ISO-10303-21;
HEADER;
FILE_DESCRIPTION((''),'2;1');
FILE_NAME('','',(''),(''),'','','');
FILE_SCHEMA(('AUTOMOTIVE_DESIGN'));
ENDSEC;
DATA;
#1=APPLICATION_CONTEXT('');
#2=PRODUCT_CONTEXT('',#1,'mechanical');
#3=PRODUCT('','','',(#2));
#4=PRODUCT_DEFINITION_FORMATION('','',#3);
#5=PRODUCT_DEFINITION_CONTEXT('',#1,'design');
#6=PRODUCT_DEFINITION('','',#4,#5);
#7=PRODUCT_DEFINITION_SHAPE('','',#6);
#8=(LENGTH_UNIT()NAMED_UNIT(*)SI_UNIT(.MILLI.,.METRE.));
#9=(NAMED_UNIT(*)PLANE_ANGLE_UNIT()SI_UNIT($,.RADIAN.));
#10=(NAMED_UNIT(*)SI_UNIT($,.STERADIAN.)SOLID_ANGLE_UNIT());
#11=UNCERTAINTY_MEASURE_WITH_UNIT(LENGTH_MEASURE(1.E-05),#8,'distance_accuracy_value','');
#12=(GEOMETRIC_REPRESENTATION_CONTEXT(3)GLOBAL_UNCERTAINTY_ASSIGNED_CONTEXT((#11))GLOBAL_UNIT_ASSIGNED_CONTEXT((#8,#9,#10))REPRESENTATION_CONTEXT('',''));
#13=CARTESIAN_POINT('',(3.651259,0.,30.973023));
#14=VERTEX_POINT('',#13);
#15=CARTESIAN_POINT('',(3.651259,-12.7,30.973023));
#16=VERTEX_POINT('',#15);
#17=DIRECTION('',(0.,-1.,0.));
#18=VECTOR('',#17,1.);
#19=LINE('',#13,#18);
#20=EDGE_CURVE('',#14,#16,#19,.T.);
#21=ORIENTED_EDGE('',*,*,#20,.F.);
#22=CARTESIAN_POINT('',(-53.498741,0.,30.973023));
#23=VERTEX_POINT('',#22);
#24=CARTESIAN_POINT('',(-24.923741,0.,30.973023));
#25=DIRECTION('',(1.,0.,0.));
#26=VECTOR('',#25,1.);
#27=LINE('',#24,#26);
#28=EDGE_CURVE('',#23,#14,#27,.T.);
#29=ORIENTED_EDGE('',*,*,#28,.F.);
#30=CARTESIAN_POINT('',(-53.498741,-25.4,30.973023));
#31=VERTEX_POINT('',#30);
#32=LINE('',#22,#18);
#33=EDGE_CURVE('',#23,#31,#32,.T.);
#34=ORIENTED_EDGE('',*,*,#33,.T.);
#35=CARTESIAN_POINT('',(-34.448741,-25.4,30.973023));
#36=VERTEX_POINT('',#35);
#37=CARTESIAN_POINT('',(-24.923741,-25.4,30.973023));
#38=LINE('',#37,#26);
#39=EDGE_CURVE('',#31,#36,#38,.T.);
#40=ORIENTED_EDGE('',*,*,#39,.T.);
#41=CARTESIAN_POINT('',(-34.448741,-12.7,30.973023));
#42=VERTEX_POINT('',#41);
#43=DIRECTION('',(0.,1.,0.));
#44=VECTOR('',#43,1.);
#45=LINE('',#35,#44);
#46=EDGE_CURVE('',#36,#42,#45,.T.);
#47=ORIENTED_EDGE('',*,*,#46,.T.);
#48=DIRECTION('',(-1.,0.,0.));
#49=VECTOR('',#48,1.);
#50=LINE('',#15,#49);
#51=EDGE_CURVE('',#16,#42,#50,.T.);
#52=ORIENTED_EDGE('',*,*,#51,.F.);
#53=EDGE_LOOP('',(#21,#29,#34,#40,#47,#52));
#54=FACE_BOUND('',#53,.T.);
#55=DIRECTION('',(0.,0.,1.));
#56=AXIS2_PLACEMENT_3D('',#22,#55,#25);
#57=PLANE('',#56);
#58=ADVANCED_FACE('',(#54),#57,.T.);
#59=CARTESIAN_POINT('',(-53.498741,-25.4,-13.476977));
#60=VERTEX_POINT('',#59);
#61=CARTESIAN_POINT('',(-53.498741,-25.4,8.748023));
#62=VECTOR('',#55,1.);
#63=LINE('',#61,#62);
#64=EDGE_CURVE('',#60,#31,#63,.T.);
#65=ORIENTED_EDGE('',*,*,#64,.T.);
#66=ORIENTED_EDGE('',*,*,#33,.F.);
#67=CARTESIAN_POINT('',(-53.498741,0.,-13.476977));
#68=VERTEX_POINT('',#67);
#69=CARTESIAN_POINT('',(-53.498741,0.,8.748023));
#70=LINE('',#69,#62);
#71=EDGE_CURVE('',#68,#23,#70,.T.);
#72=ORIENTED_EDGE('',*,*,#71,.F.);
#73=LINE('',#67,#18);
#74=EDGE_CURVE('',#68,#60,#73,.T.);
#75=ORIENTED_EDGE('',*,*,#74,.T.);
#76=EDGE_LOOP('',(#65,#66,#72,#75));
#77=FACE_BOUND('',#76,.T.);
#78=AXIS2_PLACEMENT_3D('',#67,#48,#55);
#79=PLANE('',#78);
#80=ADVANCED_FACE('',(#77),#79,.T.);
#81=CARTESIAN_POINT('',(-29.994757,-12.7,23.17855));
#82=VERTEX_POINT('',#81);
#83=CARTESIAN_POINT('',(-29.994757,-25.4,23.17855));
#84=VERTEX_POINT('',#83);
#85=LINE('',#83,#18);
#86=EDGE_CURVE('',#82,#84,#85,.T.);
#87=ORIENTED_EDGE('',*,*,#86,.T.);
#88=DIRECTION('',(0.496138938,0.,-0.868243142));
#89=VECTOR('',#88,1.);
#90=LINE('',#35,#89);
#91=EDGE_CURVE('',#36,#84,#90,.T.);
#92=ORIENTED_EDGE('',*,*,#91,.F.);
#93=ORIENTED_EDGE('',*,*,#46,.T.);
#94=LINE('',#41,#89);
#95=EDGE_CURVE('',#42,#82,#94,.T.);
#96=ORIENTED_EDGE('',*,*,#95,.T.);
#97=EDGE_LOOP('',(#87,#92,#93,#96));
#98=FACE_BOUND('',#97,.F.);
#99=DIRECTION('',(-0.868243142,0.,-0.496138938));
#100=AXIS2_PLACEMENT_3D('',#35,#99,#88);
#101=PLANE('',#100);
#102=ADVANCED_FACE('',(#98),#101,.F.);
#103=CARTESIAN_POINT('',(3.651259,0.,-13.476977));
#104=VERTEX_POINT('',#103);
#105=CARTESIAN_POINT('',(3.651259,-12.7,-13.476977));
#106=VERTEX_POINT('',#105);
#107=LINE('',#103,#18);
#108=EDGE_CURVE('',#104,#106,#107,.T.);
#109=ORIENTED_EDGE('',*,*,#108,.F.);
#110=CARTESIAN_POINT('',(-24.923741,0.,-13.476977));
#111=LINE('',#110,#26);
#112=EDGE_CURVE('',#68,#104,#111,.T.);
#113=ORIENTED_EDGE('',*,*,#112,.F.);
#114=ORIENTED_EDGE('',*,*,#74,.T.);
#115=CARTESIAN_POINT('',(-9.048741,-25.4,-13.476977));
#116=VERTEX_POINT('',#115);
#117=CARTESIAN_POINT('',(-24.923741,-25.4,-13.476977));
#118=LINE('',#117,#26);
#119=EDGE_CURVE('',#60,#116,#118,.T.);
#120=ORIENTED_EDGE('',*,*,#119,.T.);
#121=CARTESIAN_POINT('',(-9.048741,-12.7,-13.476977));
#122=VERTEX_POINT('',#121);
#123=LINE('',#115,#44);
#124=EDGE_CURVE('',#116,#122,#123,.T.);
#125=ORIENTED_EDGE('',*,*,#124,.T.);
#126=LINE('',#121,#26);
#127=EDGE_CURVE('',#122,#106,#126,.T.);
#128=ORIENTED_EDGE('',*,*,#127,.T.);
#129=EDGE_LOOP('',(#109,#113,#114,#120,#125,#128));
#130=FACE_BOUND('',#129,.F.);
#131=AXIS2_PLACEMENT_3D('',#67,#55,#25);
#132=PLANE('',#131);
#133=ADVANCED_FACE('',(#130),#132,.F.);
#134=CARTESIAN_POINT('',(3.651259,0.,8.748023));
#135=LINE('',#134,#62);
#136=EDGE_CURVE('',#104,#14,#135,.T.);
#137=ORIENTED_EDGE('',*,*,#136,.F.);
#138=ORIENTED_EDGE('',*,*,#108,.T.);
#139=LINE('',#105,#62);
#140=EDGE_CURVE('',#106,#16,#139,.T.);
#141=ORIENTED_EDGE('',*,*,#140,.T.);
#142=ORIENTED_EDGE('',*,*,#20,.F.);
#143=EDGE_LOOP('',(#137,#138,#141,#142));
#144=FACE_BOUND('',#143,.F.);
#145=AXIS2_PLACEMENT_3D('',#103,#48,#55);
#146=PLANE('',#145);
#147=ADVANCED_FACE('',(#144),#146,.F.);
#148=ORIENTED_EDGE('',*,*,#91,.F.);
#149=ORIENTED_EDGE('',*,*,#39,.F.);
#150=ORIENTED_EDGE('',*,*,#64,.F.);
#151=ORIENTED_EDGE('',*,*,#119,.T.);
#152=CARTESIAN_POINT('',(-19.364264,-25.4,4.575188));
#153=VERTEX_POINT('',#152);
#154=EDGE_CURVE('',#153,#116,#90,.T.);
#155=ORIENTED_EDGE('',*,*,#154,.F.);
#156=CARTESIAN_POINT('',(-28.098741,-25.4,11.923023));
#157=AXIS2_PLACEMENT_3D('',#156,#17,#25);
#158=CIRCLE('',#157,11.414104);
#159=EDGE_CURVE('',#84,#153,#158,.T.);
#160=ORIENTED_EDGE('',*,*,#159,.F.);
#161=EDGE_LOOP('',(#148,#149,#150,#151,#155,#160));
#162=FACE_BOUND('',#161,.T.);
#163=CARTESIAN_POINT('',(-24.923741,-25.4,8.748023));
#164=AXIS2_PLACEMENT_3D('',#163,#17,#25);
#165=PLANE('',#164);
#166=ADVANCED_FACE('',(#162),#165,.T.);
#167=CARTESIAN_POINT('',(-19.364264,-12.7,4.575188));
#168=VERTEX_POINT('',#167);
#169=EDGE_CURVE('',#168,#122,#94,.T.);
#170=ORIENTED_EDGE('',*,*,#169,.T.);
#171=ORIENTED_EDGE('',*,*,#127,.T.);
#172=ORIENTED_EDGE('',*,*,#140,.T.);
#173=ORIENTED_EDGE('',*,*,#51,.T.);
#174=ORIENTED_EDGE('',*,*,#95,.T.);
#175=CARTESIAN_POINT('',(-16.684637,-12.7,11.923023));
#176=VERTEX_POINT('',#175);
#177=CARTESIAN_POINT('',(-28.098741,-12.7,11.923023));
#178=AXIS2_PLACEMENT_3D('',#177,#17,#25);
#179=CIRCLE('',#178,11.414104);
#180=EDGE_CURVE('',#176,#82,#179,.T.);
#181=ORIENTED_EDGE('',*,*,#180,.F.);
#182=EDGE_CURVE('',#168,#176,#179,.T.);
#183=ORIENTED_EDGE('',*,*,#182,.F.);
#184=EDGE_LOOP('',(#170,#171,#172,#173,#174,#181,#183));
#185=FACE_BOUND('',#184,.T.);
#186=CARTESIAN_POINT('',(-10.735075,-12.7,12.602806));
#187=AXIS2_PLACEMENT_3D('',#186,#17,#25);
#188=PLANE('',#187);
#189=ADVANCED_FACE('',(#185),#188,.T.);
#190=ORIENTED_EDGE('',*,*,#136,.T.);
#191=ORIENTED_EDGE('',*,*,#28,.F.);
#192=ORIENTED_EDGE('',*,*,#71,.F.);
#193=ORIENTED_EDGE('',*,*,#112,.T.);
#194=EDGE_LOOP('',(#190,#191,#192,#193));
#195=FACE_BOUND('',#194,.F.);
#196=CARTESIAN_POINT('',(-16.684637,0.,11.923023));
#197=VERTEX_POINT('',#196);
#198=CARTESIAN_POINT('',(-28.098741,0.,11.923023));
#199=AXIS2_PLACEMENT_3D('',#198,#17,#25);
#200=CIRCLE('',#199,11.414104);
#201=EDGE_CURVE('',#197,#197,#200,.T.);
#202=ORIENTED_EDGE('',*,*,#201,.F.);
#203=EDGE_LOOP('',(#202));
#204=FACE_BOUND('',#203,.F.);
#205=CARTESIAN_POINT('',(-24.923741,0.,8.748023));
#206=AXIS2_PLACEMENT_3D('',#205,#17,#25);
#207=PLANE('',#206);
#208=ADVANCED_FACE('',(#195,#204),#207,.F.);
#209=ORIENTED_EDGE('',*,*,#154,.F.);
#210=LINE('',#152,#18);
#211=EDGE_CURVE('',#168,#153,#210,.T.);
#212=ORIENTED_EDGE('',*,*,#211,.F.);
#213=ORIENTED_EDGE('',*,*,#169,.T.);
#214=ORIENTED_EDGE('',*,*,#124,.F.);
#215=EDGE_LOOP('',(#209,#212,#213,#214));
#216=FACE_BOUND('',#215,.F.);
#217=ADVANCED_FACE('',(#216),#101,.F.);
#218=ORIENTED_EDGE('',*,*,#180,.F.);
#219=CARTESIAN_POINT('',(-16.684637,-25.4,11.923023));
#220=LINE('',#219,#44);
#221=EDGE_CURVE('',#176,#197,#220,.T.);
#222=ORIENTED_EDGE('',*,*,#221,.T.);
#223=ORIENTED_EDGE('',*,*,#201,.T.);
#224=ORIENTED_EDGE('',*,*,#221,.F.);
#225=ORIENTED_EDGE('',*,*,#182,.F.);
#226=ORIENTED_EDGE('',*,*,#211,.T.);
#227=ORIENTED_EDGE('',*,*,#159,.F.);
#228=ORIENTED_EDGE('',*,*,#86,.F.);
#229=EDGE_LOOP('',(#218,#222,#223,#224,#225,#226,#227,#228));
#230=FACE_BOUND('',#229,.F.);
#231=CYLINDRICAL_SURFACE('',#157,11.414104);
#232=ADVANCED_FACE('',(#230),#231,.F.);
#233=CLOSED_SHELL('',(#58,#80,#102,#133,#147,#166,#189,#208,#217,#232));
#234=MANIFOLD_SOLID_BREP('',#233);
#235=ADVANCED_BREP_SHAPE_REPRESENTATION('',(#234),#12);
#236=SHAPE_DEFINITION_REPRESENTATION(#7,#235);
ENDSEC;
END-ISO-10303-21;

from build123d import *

# Parameters (mm, degrees)
F0_W     = 57.15
F0_H     = 44.45
F1_DEPTH = 25.4
F2_R     = 11.414104
F3_DEPTH = 25.4
F5_DEPTH = 12.7


with BuildPart() as f1:
    # F0 (on Front) → F1 (new body)
    with BuildSketch(Plane.XZ):
        with Locations((-24.923741, 8.748023)):
            Rectangle(F0_W, F0_H)
    extrude(amount=F1_DEPTH)

    # F2 (on face) → F3 (cut)
    with BuildSketch(Plane.XZ.offset(25.4)):
        with Locations((-28.098741, 11.923023)):
            Circle(F2_R)
    extrude(amount=-F3_DEPTH, mode=Mode.SUBTRACT)

    # F4 (on face) → F5 (cut)
    with BuildSketch(Plane.XZ.offset(25.4)):
        Polygon((3.651259, 30.973023), (-34.448741, 30.973023), (-9.048741, -13.476977), (3.651259, -13.476977), align=None)
    extrude(amount=-F5_DEPTH, mode=Mode.SUBTRACT)


solid = f1.part
